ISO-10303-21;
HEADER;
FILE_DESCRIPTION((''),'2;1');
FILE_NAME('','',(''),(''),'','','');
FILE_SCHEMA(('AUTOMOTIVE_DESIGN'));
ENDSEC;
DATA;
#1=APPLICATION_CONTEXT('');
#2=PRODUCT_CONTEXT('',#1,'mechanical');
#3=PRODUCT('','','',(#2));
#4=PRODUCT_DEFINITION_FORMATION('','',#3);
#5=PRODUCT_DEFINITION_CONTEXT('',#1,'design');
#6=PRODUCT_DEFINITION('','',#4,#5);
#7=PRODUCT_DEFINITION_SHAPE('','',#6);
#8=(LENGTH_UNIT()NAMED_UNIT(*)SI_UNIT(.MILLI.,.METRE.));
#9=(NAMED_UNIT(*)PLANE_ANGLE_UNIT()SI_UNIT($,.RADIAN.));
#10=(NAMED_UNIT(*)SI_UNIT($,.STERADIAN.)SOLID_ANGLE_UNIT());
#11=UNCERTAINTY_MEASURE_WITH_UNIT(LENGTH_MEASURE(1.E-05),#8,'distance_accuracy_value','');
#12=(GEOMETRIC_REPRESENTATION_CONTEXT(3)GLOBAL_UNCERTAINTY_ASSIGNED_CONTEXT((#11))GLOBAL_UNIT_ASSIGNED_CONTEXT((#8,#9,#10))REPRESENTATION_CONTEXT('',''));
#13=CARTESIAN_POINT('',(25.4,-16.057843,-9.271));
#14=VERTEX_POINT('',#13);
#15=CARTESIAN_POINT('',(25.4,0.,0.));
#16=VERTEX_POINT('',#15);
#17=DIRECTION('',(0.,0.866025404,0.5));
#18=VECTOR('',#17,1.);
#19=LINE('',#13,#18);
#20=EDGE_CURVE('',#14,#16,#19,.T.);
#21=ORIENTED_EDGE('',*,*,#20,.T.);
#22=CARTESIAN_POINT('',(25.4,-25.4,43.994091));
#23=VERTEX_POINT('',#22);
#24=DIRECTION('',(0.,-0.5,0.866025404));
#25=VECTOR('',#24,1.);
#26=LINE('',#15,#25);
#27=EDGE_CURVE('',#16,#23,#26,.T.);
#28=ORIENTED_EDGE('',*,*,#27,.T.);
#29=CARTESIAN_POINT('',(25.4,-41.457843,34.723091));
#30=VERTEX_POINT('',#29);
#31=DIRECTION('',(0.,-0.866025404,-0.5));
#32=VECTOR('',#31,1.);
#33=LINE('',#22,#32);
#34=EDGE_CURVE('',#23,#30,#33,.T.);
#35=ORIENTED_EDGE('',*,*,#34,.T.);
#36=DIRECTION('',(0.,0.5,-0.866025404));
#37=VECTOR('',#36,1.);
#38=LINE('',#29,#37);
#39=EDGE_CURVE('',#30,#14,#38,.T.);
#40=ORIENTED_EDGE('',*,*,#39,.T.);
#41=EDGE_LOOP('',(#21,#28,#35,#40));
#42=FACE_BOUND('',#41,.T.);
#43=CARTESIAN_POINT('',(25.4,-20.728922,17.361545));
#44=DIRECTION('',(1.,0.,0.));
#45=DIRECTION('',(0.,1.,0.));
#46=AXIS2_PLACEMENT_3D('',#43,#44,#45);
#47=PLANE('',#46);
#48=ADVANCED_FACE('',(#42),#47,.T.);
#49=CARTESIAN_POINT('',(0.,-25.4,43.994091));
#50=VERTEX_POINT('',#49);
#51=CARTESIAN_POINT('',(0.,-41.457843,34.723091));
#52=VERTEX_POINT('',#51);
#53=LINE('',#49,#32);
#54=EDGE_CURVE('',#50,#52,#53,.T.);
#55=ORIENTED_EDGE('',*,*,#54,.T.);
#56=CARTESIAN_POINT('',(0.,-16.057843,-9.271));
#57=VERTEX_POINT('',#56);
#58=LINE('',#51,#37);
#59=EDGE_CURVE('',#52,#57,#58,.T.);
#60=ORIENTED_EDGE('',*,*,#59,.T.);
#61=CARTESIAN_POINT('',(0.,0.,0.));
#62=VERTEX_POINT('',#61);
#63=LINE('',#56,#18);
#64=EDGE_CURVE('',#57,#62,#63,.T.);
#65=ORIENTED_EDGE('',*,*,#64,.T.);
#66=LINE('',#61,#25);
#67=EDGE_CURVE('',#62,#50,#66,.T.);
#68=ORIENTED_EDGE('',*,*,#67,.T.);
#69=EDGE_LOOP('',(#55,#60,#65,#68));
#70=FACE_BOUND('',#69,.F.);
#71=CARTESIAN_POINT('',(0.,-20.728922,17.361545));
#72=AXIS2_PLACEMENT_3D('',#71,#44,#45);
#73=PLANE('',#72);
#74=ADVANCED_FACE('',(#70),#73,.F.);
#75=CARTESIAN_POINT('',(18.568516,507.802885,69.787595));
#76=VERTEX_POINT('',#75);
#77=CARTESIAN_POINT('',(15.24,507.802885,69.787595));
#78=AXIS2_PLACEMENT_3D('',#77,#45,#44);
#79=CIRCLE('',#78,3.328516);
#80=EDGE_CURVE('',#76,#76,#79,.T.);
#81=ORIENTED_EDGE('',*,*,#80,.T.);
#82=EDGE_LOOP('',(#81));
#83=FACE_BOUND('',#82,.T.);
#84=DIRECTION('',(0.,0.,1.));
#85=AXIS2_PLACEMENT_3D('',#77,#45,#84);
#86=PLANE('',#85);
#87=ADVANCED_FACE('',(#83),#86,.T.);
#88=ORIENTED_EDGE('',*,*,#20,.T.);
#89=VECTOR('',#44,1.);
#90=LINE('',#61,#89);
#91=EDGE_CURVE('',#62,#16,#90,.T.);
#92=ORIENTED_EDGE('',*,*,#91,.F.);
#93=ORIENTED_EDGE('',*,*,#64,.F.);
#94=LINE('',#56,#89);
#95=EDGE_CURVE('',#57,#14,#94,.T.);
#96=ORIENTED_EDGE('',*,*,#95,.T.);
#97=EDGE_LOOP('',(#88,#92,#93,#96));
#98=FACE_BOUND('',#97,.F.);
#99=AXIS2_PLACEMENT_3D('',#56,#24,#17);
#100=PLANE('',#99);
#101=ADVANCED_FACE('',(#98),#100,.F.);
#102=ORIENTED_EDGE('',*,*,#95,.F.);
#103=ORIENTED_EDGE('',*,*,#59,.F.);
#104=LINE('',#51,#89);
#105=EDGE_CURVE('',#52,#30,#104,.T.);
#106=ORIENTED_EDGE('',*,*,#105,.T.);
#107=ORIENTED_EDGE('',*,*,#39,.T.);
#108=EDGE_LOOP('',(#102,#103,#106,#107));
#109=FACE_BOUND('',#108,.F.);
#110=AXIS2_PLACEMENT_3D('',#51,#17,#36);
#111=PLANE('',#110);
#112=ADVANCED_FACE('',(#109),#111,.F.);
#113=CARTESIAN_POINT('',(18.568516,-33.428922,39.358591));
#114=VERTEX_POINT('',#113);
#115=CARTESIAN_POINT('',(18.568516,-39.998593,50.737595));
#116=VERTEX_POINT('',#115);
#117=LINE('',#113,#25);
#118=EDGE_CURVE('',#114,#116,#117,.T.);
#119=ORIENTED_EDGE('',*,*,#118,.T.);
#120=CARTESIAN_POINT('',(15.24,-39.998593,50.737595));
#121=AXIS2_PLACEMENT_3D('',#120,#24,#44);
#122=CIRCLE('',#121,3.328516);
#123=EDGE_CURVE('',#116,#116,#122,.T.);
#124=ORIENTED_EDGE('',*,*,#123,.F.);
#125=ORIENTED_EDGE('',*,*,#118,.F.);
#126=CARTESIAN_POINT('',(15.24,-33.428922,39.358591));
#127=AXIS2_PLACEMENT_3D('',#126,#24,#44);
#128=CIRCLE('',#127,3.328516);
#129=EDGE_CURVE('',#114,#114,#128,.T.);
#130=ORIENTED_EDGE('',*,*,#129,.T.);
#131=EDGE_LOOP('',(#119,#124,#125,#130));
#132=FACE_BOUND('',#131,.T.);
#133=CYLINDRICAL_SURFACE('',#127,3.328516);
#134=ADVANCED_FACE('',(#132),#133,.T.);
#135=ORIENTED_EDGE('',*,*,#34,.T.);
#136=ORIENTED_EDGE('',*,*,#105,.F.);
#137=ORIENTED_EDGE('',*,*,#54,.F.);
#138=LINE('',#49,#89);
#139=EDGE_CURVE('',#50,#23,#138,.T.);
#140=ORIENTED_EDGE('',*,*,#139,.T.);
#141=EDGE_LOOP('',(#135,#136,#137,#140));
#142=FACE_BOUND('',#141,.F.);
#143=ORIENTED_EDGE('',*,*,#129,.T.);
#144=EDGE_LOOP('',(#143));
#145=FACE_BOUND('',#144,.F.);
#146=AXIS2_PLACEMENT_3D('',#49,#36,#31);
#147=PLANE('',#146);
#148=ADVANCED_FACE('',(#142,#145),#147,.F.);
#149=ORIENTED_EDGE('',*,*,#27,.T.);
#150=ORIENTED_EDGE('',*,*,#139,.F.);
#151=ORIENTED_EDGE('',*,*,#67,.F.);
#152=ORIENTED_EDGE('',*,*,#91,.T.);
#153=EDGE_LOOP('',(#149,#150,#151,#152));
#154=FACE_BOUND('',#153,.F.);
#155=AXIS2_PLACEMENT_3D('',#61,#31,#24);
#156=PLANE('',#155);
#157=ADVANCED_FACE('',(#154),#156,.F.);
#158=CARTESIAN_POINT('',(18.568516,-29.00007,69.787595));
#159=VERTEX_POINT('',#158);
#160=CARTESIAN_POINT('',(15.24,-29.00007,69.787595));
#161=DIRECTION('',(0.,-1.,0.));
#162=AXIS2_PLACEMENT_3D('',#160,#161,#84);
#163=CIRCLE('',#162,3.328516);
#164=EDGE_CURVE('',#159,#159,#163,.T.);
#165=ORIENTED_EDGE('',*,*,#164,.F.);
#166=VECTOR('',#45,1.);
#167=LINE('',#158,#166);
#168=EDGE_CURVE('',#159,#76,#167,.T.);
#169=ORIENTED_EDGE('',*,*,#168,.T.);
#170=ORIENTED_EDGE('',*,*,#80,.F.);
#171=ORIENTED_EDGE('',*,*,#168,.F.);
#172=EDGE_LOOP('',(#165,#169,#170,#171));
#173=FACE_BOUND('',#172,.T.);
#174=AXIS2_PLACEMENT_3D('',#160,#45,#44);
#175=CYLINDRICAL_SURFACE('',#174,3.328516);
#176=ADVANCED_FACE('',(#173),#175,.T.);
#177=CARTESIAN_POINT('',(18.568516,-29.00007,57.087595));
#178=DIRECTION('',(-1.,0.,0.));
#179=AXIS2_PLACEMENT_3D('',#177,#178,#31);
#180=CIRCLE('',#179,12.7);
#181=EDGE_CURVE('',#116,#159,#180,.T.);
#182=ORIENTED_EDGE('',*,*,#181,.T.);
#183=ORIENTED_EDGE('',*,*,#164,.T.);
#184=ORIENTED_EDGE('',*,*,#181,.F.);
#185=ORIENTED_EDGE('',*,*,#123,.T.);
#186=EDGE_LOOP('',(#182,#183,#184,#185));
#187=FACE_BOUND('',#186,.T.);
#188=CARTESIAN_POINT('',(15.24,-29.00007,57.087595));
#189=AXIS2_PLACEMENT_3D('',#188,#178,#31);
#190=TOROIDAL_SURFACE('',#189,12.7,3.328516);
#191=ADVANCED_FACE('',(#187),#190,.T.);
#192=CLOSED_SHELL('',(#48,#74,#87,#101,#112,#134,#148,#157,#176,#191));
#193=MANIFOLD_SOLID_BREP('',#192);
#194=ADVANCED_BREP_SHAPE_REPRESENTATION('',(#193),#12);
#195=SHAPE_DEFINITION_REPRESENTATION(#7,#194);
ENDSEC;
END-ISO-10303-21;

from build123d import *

# Parameters (mm, degrees)
F1_DEPTH = 25.4
F4_R     = 3.3285160808


with BuildPart() as f1:
    # F0 (on Right) → F1 (new body)
    with BuildSketch(Plane.YZ):
        Polygon((-16.057843037, -9.271), (0, 0), (-25.4, 43.9940905122), (-41.457843037, 34.7230905122), align=None)
    extrude(amount=F1_DEPTH)

    # F5: sweep along a path in F3
    with BuildLine(Plane.YZ.offset(15.24)) as f5_path:
        Line((-33.4289215185, 39.3585905122), (-39.9985926799, 50.7375947529))
        ThreePointArc((-39.9985926799, 50.7375947529), (-39.9985926799, 63.4375947529), (-29.0000700518, 69.7875947529))
        Line((-29.0000700518, 69.7875947529), (507.802884692, 69.7875947529))
    # F4 (on face) → F5 (sweep)
    with BuildSketch(Plane(origin=(0, -25.4, 43.9940905122), x_dir=(1, 0, 0), z_dir=(0, -0.5, 0.8660254038))):
        with Locations((15.24, -9.271)):
            Circle(F4_R)
    sweep(path=f5_path.line)


solid = f1.part
